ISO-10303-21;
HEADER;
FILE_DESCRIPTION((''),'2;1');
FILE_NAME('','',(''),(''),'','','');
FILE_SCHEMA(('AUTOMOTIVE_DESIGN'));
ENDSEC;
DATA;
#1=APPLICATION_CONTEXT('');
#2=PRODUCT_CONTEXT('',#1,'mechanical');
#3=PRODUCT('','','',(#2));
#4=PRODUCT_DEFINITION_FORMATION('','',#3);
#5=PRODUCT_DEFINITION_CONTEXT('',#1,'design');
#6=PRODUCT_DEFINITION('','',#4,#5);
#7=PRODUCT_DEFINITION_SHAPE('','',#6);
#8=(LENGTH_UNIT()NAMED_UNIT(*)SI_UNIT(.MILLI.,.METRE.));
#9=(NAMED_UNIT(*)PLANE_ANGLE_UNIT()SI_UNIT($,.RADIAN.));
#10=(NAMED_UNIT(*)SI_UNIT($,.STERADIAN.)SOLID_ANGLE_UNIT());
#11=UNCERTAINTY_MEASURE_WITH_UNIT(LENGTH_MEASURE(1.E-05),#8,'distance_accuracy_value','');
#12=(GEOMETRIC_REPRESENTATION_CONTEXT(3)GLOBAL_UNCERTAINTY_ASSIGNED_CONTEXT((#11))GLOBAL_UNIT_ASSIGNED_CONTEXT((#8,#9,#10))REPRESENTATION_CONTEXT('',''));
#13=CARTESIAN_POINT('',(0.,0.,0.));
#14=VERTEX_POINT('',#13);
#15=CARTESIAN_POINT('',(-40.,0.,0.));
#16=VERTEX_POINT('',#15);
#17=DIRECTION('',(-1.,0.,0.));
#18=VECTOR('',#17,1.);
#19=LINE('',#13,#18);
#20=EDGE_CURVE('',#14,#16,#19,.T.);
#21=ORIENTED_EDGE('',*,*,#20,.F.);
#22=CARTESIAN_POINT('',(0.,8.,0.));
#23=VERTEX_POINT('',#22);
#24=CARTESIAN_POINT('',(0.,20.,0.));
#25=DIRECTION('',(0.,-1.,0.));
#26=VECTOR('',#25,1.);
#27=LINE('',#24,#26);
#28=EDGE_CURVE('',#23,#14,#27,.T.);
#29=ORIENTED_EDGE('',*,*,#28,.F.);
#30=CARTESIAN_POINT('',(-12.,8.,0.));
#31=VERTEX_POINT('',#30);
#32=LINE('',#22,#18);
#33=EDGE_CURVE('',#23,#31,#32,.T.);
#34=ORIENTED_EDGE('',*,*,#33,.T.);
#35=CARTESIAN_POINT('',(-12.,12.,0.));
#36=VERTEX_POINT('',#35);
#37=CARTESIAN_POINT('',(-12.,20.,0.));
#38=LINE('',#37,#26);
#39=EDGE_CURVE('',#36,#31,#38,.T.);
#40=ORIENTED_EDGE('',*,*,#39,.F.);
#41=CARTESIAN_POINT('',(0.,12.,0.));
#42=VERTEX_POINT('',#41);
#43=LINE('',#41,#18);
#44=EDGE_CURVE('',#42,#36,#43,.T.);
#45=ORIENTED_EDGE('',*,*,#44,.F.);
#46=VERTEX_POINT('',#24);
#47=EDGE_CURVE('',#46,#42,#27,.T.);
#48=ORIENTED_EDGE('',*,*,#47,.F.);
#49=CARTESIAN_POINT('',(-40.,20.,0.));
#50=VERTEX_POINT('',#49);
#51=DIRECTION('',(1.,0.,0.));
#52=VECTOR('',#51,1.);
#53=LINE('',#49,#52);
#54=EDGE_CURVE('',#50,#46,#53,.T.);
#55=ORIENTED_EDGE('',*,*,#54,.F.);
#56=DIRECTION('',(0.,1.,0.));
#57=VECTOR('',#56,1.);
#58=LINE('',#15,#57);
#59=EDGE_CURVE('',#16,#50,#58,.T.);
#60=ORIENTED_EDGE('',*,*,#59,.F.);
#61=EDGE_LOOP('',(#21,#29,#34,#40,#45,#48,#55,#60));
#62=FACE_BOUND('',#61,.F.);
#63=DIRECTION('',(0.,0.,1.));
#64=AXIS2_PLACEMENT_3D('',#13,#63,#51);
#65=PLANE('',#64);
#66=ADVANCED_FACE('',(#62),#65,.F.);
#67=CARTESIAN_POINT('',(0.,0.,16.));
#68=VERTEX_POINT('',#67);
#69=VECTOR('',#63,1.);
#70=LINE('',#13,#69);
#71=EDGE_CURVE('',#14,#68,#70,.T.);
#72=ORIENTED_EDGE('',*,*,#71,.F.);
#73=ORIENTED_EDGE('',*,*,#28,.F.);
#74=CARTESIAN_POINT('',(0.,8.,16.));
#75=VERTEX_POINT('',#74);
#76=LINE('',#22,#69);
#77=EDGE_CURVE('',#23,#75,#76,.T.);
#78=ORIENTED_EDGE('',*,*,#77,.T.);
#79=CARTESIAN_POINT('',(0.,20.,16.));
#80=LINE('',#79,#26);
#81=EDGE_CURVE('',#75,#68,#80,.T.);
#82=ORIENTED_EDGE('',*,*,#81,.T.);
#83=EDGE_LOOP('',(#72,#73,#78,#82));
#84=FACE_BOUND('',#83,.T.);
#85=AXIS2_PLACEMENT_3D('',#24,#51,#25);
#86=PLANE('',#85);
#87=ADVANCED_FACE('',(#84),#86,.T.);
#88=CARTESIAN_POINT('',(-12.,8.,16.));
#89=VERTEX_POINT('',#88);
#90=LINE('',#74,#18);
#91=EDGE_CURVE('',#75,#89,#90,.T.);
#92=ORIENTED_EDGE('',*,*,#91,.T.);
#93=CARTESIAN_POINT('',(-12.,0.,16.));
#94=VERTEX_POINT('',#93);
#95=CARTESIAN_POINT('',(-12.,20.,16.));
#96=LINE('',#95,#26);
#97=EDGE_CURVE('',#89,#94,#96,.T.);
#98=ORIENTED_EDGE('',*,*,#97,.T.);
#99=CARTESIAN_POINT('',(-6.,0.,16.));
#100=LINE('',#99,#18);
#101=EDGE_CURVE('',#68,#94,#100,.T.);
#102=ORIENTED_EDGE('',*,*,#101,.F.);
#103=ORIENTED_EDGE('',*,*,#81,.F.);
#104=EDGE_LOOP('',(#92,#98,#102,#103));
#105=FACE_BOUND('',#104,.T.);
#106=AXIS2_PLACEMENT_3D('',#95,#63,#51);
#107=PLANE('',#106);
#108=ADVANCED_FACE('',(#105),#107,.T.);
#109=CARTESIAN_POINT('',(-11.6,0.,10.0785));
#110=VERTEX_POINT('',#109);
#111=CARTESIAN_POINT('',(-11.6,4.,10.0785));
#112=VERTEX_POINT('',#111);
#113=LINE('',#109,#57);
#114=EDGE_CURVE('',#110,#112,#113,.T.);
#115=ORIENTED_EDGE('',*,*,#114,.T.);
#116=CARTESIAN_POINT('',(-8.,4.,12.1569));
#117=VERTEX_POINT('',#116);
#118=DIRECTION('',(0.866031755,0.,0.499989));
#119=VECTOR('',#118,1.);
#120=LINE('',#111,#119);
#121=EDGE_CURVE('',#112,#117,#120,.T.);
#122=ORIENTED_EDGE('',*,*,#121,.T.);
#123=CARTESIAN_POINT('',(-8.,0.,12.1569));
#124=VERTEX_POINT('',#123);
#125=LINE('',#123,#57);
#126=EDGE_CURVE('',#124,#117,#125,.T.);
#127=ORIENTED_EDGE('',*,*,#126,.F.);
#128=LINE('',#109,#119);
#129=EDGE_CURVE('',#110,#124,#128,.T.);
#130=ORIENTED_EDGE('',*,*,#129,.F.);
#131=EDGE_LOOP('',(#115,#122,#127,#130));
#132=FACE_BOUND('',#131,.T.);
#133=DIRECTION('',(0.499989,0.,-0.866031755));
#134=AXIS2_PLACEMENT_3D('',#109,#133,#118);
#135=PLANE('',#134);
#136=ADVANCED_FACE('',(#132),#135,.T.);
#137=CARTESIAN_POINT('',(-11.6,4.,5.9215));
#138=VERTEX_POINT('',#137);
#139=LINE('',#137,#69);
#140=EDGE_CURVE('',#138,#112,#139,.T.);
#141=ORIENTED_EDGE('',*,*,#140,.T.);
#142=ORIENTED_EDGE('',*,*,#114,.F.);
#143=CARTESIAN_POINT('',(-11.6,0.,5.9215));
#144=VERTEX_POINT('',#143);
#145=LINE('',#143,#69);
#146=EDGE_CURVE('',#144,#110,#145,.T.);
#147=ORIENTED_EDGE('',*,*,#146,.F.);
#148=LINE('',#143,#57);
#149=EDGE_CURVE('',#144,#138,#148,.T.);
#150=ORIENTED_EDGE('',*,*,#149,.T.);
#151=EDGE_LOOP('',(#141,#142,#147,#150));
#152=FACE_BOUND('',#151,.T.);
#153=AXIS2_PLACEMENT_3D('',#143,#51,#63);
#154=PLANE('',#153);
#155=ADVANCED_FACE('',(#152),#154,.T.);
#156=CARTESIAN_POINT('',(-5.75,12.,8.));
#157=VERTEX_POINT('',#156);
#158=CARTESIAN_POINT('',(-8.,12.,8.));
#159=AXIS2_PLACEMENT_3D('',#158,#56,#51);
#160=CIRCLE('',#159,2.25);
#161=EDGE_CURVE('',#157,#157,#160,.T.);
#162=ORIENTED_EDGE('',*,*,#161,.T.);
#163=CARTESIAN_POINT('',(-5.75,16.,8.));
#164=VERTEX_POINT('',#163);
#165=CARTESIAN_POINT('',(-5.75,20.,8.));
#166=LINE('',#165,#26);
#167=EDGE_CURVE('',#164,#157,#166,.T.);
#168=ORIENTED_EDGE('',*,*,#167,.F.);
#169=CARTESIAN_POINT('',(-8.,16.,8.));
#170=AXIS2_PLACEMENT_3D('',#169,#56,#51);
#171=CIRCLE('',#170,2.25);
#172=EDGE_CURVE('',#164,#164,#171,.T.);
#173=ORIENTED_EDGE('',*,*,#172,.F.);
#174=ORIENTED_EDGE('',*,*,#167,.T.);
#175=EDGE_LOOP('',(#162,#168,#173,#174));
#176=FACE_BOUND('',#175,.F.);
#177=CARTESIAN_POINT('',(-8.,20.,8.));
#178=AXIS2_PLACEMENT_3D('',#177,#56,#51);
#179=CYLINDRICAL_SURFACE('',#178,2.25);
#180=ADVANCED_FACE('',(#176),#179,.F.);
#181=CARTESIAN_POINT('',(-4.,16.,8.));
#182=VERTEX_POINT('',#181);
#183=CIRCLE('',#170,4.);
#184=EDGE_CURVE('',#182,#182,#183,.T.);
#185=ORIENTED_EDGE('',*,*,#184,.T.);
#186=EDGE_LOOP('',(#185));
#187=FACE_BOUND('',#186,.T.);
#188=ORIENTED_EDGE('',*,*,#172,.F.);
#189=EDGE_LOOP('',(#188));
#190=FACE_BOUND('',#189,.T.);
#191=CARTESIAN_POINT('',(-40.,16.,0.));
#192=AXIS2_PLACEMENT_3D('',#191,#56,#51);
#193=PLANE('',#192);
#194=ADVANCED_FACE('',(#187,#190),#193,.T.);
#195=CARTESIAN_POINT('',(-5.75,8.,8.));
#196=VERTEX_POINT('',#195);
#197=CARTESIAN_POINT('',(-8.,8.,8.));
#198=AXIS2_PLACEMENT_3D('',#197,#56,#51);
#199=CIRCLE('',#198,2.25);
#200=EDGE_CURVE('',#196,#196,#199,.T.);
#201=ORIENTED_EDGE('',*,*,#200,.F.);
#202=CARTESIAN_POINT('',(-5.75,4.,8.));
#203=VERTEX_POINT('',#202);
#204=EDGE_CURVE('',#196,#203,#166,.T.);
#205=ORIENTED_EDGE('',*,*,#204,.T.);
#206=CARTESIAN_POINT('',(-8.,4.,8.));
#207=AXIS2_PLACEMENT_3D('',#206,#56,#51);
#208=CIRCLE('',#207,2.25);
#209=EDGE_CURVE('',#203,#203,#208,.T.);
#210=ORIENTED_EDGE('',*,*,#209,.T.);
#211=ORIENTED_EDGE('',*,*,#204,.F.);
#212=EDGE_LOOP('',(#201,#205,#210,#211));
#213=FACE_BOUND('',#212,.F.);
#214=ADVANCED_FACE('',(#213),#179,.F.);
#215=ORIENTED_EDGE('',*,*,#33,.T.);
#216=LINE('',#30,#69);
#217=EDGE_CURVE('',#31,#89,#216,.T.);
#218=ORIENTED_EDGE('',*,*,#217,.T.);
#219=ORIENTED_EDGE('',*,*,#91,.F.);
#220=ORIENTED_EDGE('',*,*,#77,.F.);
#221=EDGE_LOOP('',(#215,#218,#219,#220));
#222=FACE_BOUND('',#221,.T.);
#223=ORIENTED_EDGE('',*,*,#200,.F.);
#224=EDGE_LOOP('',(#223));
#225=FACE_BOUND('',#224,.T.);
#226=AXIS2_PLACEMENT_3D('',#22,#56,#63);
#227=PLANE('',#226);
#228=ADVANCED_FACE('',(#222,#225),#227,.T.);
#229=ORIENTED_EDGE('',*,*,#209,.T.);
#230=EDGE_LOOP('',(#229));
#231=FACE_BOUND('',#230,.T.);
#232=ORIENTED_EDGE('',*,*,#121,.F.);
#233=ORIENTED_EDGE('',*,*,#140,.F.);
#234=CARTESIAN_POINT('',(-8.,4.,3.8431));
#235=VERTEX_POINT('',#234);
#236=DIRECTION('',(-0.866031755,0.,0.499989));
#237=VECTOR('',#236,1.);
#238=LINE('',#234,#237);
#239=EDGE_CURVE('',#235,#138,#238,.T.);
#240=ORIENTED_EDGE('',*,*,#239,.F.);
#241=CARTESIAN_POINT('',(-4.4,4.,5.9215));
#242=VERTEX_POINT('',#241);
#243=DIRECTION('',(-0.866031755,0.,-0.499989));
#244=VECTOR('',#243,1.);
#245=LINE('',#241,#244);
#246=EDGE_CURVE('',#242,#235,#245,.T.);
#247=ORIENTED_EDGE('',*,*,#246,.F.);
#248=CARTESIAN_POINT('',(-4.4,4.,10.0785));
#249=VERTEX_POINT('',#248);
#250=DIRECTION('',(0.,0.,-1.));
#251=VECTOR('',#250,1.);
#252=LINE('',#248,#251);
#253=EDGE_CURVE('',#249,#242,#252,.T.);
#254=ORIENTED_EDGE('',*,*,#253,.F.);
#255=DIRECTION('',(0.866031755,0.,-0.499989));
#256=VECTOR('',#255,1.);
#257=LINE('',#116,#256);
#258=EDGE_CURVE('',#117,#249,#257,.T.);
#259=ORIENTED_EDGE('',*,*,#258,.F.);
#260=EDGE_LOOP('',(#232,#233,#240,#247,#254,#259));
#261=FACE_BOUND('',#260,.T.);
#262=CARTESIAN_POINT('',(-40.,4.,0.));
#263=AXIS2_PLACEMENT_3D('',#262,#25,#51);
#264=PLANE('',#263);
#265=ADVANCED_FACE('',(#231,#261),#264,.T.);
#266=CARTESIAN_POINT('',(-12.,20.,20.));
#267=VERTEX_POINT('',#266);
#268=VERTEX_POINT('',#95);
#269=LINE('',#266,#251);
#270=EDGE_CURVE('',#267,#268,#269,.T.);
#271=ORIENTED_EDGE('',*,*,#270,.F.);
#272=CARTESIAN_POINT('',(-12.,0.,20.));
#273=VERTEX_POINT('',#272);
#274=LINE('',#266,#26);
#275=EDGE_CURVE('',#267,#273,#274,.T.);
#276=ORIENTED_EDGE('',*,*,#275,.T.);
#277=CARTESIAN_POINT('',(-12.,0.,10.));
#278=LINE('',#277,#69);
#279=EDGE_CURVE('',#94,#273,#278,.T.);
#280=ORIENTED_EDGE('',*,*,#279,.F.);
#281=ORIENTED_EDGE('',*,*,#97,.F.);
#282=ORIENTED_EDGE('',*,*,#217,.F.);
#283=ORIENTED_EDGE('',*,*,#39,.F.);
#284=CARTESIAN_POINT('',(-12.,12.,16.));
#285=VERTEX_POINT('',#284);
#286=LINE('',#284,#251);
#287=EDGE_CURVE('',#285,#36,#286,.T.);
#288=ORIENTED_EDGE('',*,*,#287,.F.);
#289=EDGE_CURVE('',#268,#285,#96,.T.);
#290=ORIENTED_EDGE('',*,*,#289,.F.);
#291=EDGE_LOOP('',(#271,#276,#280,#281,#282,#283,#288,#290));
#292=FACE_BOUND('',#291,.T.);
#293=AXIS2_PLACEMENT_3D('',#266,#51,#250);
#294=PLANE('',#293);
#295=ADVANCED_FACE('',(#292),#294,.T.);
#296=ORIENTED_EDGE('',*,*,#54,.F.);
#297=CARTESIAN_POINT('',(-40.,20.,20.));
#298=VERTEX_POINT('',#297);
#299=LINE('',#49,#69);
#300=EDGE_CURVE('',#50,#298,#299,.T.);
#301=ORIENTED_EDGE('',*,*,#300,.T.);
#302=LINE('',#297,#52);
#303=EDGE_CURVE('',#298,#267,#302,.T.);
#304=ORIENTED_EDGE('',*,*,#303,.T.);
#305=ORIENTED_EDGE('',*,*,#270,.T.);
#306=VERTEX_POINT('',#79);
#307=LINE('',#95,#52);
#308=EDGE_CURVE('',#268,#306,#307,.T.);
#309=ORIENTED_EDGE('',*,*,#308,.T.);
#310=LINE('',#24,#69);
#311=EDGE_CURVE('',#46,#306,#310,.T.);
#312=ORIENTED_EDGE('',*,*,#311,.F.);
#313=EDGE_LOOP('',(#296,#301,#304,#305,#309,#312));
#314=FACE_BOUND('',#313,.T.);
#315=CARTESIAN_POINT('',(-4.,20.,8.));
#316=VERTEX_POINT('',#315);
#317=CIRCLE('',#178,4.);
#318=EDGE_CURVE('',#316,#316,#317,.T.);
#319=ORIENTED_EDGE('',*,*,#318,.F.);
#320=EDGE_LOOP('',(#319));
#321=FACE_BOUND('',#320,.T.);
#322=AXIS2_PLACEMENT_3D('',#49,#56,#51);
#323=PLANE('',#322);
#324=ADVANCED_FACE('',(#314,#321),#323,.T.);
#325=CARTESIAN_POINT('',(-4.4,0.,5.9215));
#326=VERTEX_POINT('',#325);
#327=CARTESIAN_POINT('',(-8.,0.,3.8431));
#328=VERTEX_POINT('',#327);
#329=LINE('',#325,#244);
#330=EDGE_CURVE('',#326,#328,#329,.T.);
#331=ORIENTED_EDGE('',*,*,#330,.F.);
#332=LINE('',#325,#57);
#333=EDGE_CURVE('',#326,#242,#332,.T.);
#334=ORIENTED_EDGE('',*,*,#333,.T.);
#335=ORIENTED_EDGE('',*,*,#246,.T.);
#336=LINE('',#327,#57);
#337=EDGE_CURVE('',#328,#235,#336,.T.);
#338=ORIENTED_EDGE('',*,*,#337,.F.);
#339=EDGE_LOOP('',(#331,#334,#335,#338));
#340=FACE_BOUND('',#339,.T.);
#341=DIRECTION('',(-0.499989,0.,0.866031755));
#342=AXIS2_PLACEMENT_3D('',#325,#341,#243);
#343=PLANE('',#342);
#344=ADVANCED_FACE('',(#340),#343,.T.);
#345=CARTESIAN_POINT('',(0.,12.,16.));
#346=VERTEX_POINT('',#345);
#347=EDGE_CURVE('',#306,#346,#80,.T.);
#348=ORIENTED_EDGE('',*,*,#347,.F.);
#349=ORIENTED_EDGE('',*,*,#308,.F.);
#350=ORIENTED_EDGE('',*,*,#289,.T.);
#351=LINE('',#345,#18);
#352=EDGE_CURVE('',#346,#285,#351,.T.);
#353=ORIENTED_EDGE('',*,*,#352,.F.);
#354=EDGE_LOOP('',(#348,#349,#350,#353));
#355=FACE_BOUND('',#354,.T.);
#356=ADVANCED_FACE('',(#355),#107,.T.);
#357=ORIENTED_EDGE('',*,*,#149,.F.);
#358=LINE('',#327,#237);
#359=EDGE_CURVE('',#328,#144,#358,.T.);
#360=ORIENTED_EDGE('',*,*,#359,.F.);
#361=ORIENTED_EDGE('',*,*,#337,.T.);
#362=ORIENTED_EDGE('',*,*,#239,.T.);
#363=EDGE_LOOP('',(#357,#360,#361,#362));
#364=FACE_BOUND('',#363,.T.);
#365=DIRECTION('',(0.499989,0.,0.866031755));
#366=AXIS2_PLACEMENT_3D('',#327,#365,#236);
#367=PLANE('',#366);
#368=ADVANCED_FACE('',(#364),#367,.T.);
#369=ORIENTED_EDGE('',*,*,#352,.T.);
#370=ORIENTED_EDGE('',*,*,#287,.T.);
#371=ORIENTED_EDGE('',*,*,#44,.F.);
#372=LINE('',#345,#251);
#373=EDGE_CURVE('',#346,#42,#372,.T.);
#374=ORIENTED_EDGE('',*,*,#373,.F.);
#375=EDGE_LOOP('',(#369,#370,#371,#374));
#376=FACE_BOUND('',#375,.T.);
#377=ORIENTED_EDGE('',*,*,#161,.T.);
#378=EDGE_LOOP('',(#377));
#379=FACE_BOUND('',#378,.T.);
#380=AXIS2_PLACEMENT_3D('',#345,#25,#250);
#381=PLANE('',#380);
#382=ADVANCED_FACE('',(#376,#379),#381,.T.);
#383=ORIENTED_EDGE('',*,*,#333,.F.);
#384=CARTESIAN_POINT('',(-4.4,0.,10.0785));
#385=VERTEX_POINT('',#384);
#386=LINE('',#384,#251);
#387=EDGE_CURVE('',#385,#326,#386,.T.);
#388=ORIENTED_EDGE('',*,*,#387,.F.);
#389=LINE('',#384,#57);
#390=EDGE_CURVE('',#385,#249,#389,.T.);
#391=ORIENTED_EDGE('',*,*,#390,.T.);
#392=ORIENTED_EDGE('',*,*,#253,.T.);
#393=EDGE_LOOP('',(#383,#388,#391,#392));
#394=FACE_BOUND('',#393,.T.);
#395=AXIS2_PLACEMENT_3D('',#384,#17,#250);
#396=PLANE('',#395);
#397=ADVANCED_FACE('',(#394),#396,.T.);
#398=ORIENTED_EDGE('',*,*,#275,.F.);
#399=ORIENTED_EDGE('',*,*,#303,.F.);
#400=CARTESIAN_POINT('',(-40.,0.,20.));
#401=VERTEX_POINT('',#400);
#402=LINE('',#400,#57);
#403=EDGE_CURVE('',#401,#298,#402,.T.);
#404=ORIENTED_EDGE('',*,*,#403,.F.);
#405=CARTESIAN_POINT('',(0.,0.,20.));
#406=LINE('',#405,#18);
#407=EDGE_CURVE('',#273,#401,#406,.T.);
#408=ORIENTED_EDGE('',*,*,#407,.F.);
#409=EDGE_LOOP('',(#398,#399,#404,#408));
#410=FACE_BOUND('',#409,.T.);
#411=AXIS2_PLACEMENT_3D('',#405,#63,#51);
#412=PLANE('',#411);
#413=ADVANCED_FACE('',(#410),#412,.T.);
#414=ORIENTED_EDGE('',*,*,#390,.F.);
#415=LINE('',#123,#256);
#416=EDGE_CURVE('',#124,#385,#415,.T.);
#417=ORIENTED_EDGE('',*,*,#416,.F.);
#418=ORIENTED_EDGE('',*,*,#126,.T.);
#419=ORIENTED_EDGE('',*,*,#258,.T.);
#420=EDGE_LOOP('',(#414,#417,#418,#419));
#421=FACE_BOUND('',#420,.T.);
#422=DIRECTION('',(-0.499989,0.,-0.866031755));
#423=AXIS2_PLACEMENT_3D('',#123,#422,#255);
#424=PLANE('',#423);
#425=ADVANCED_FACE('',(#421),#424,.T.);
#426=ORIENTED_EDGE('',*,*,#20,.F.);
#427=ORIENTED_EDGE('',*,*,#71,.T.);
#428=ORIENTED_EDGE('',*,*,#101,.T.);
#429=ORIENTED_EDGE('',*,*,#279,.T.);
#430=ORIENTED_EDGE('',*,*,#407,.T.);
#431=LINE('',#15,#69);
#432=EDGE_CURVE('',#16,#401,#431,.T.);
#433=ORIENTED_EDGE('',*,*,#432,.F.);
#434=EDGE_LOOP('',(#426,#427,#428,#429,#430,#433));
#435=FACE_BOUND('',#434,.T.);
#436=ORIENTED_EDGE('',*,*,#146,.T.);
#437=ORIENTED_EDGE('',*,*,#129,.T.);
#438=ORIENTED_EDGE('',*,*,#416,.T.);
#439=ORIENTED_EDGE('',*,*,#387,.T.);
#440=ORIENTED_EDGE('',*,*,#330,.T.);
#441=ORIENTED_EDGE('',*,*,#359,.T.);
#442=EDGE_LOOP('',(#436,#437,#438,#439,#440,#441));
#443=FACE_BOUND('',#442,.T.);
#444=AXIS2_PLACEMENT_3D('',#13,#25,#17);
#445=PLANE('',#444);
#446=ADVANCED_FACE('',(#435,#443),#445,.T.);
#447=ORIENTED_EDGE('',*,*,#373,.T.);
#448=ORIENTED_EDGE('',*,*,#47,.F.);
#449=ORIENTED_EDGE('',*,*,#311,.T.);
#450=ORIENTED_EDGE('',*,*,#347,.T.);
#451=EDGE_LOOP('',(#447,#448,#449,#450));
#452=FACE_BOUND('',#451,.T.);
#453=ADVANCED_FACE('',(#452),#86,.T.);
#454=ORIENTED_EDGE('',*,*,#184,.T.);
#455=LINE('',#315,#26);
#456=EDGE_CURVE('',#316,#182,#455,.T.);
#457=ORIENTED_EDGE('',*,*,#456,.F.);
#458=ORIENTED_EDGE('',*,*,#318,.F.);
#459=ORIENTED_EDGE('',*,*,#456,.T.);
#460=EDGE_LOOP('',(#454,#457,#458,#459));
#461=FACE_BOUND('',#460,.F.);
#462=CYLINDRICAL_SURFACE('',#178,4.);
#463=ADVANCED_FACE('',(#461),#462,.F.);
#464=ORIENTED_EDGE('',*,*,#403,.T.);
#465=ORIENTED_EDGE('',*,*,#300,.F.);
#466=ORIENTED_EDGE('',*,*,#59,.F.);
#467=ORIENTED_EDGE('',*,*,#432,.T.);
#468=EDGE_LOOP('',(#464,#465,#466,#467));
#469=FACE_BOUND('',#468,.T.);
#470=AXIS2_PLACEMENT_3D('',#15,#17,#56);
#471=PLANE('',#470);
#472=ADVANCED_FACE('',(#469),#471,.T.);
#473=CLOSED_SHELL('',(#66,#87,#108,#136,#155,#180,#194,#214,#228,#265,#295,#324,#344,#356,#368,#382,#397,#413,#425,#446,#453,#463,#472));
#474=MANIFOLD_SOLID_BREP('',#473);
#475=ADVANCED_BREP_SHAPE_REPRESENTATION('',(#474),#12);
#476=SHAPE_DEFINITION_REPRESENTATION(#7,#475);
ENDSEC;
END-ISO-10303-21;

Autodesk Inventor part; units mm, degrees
ref_plane "YZ Plane" through (0, 0, 0) normal (1, 0, 0) x (0, 1, 0)
ref_plane "XZ Plane" through (0, 0, 0) normal (0, 1, 0) x (-1, 0, 0)
ref_plane "XY Plane" through (0, 0, 0) normal (0, 0, 1) x (1, 0, 0)
sketch "Sketch1" plane through (0, 0, 0) normal (0, 0, 1) x (1, 0, 0)
  line L0 (0, 0) -> (-40, 0)
  line L1 (-40, 0) -> (-40, 20)
  line L2 (-40, 20) -> (0, 20)
  line L3 (0, 20) -> (0, 0)
  dimension "d0" = 40
  dimension "d1" = 20
extrude "Extrusion1" add sketch "Sketch1" along normal blind 20
sketch "Sketch2" plane through (-40, 20, 0) normal (0, 1, 0) x (1, 0, 0)
  line L0 (0, -20) -> (40, -20) projected
  line L1 (40, -20) -> (40, -16)
  line L2 (40, 0) -> (40, -20) projected
  line L3 (28, -20) -> (28, -16)
  line L4 (28, -16) -> (40, -16)
  dimension "d4" = 4
  dimension "d5" = 12
extrude "Extrusion2" cut sketch "Sketch2" against normal through all
sketch "Sketch3" plane through (0, 0, 0) normal (1, 0, 0) x (0, 0, -1)
  line L0 (-16, 20) -> (-16, 0) projected
  line L1 (-16, 12) -> (0, 12)
  line L2 (0, 20) -> (0, 0) projected
  line L3 (0, 8) -> (-16, 8)
  dimension "d8" = 8
  dimension "d9" = 8
extrude "Extrusion3" cut sketch "Sketch3" against normal blind 12
sketch "Sketch4" plane through (-40, 20, 0) normal (0, 1, 0) x (1, 0, 0)
  circle A0 centre (32, -8) radius 2.25
  line L0 (28, -16) -> (40, -16) projected
  line L1 (40, 0) -> (40, -16) projected
  dimension "d12" = 4.5
  dimension "d13" = 8
  dimension "d14" = 8
extrude "Extrusion4" cut sketch "Sketch4" against normal through all
sketch "Sketch5" plane through (-40, 0, 0) normal (0, -1, 0) x (1, 0, 0)
  line L0 (40, 0) -> (40, 16) projected
  line L1 (0, 0) -> (0, 20) projected
  line L2 (40, 0) -> (32, 0)
  line L3 (32, 12.1569) -> (35.6, 10.0785)
  line L4 (35.6, 10.0785) -> (35.6, 5.9215)
  line L5 (35.6, 5.9215) -> (32, 3.8431)
  line L6 (32, 3.8431) -> (28.4, 5.9215)
  line L7 (28.4, 5.9215) -> (28.4, 10.0785)
  line L8 (28.4, 10.0785) -> (32, 12.1569)
  line L9 (40, 16) -> (28, 16) projected
  dimension "d28" = 7.2
  dimension "d29" = 4.4
  dimension "d30" = 3.8431
  dimension "d31" = 3.8431
  dimension "d32" = 2.0785
  dimension "d33" = 4.1569
  dimension "d34" = 2.0785
extrude "Extrusion5" cut sketch "Sketch5" against normal blind 4
sketch "Sketch6" plane through (-40, 20, 0) normal (0, 1, 0) x (1, 0, 0)
  circle A0 centre (32, -8) radius 4
  line L0 (28, -16) -> (40, -16) projected
  line L1 (40, 0) -> (40, -16) projected
  dimension "d37" = 8
  dimension "d38" = 8
  dimension "d39" = 8
extrude "Extrusion6" cut sketch "Sketch6" against normal blind 4
properties part number "connectiontest1"
